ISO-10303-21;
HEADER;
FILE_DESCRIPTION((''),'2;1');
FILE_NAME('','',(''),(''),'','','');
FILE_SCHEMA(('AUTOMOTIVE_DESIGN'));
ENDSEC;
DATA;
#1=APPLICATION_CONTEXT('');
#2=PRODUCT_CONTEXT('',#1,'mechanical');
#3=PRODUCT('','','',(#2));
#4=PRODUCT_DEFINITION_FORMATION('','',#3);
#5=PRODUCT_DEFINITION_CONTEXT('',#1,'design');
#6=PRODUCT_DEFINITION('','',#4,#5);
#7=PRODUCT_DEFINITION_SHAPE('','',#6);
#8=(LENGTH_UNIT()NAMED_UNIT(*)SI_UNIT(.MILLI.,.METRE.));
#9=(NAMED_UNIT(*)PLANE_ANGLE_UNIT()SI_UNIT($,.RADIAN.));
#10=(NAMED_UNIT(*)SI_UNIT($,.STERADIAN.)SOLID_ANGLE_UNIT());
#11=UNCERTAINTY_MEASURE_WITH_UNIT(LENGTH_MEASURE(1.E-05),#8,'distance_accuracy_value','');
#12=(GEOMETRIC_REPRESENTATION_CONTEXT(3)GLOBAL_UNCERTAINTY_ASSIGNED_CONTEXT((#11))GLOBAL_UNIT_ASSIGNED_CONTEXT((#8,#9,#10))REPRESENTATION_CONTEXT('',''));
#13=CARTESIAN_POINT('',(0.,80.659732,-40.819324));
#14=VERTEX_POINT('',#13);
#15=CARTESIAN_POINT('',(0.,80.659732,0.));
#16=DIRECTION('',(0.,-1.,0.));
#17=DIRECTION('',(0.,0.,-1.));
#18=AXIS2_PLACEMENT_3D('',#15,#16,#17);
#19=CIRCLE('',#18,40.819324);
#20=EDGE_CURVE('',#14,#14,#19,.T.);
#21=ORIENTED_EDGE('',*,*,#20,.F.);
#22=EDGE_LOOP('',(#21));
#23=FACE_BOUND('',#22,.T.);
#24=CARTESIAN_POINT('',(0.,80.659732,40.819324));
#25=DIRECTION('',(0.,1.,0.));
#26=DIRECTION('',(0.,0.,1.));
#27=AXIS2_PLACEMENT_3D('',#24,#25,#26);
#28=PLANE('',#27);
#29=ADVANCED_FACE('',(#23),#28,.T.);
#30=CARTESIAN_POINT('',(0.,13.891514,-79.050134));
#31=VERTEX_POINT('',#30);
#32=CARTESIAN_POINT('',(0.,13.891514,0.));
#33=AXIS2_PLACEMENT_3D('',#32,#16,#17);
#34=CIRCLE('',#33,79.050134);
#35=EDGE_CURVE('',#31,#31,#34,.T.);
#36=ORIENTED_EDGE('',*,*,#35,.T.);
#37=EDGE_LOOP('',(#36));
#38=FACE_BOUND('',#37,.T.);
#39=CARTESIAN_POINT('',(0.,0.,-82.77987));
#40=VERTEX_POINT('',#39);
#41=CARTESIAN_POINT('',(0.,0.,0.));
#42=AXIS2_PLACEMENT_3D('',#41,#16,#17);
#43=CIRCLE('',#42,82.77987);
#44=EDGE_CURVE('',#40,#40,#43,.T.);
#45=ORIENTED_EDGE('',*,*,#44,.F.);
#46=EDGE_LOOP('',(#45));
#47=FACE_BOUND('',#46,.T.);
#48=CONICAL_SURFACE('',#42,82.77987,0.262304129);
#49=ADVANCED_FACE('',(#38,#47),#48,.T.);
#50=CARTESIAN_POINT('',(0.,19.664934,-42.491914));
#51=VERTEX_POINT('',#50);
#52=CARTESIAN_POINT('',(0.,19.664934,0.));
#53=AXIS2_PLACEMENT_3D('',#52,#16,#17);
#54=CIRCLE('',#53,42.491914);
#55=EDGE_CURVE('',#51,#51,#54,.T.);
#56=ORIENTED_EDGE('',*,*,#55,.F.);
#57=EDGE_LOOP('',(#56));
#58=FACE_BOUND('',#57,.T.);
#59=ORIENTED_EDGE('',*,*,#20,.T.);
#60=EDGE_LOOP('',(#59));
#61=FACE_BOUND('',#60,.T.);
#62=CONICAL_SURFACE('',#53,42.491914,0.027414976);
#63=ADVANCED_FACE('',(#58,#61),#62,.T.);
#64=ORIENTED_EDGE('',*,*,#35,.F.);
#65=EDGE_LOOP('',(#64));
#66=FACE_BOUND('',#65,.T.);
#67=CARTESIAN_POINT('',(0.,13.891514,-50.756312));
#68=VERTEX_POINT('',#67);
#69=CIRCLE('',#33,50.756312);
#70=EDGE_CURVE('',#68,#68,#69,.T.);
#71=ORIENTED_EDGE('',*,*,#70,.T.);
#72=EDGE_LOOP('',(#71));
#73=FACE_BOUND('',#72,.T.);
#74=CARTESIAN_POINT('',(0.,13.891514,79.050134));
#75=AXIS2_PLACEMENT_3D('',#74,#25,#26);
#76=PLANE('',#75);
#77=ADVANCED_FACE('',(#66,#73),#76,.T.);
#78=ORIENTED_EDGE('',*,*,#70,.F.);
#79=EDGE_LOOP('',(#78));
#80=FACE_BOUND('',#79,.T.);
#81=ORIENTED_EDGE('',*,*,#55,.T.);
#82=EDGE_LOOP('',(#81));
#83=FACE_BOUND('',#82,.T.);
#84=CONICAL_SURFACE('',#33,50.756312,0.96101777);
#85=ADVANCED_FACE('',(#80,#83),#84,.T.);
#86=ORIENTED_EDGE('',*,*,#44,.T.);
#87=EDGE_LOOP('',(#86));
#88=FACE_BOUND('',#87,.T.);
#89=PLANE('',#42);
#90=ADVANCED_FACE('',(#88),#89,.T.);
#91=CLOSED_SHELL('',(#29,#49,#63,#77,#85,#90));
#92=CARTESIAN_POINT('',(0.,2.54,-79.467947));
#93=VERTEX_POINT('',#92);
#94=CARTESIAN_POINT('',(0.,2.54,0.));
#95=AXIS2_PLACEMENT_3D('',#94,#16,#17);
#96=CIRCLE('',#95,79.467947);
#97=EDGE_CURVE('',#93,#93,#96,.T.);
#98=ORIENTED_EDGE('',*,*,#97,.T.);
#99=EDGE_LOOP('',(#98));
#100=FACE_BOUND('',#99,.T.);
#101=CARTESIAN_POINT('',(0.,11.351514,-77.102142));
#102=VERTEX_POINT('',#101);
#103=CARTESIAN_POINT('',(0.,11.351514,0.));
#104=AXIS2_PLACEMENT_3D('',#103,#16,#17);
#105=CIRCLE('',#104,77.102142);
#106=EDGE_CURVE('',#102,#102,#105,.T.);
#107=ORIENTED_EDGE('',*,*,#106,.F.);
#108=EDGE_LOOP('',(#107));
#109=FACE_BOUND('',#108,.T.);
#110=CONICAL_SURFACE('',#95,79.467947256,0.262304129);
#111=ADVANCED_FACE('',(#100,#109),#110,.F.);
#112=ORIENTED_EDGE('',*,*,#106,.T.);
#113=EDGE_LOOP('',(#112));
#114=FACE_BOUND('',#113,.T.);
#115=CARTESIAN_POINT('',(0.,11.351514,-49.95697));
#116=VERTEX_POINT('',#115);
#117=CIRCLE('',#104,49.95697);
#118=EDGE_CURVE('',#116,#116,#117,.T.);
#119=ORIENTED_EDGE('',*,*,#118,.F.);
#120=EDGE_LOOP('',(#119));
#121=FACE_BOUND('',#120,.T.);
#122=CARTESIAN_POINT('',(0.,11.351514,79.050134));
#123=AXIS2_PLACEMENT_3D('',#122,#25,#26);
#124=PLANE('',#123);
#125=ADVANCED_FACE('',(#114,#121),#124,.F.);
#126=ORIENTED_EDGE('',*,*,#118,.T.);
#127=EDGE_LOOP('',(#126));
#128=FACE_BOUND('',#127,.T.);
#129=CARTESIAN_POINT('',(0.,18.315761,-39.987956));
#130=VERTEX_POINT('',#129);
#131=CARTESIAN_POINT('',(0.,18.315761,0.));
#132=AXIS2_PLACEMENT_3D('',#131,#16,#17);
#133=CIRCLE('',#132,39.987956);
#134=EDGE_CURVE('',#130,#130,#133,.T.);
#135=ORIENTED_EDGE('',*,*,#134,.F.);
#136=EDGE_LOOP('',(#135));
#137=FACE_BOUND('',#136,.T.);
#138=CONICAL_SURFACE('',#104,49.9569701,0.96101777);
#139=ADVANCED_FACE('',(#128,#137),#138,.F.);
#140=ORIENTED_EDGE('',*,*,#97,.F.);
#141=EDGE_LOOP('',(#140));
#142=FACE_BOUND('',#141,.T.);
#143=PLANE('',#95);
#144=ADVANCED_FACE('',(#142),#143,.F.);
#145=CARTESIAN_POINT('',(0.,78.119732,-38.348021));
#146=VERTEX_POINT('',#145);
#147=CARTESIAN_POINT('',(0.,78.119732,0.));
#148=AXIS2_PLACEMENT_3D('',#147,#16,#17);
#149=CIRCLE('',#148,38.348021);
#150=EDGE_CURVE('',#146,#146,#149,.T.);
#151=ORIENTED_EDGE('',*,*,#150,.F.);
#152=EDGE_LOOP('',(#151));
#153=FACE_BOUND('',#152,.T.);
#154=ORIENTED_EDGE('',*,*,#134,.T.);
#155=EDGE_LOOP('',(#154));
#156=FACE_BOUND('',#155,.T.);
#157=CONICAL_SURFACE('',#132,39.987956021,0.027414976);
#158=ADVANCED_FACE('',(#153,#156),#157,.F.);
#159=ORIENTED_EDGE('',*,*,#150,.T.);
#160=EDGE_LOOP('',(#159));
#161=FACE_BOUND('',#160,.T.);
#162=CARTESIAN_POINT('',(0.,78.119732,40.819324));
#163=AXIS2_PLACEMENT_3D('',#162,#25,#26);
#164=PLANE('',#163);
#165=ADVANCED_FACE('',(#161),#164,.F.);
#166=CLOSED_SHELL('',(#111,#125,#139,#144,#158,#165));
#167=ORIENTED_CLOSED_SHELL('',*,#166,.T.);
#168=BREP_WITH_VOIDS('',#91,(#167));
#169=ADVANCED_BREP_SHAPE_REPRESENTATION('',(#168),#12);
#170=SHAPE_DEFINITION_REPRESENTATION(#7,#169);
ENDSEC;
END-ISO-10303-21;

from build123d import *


with BuildPart() as part:
    # Sketch1 → Revolve-Thin1 (revolve)
    with BuildSketch(Plane(origin=(0, 0, 0), x_dir=(0, 0, -1), z_dir=(1, 0, 0)), mode=Mode.PRIVATE) as revolve_thin1_sk:
        Polygon((0, 0), (-82.77987, 0), (-79.050134, 13.891514), (-50.756312, 13.891514), (-42.491914, 19.664934), (-40.819324, 80.659732), (0, 80.659732), (0, 78.119732), (-38.348020684, 78.119732), (-39.987956021, 18.315760551), (-49.9569701, 11.351514), (-77.102141701, 11.351514), (-79.467947256, 2.54), (0, 2.54), align=None)
    revolve(revolve_thin1_sk.sketch.rotate(Axis((0, 0, 0), (0, 1, 0)), 180), axis=Axis((0, 0, 0), (0, 1, 0)))


solid = part.part
